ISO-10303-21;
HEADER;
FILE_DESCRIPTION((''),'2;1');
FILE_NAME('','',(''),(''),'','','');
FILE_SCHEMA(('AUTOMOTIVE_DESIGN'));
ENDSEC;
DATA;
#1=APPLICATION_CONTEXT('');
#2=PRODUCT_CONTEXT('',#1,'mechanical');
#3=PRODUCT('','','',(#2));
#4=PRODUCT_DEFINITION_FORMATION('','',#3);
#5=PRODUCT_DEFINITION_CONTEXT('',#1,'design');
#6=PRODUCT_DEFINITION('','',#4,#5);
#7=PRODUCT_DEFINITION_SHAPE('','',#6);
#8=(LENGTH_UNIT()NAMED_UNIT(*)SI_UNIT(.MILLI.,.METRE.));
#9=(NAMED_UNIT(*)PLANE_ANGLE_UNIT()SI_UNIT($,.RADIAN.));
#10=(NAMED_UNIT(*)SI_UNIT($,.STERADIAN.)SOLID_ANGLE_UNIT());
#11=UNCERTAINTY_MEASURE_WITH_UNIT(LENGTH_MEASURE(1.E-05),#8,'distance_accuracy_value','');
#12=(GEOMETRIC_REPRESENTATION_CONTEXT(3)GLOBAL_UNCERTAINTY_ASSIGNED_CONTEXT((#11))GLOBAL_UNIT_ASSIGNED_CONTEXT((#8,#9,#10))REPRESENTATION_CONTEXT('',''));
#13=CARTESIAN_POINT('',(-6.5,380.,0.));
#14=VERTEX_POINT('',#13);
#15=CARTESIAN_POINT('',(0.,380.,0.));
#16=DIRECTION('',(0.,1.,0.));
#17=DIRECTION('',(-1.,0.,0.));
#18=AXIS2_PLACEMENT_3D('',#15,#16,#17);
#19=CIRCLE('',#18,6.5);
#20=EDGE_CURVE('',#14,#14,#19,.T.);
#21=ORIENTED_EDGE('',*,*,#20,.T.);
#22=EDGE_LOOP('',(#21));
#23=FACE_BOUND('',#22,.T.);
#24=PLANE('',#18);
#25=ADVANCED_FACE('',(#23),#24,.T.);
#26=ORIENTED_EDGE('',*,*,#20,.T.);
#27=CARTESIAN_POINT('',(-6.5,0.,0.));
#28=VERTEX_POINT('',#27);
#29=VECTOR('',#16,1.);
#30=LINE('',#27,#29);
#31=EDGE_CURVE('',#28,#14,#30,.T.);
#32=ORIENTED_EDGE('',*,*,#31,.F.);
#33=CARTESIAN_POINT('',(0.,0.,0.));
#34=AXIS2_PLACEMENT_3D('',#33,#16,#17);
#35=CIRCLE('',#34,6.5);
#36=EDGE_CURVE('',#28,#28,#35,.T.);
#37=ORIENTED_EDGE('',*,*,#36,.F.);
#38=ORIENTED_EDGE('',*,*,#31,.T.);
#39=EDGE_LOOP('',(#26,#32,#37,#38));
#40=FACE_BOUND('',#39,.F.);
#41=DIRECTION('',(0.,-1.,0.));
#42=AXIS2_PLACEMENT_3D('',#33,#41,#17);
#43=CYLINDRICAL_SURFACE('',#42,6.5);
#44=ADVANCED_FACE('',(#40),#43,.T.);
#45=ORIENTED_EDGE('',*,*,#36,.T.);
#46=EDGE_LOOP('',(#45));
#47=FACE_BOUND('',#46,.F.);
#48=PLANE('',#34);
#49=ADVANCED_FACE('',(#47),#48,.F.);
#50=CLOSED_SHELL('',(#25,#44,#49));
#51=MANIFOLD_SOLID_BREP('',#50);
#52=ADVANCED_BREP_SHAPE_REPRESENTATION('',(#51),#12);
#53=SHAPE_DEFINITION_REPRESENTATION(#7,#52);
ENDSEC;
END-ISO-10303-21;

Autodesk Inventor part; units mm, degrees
ref_plane "YZ Plane" through (0, 0, 0) normal (1, 0, 0) x (0, 1, 0)
ref_plane "XZ Plane" through (0, 0, 0) normal (0, 1, 0) x (-1, 0, 0)
ref_plane "XY Plane" through (0, 0, 0) normal (0, 0, 1) x (1, 0, 0)
sketch "Sketch1" plane through (0, 0, 0) normal (0, 1, 0) x (-1, 0, 0)
  circle A0 centre (0, 0) radius 6.5
  dimension "d0" = 380
extrude "Extrusion1" add sketch "Sketch1" along normal blind 380
properties part number "Axle"
